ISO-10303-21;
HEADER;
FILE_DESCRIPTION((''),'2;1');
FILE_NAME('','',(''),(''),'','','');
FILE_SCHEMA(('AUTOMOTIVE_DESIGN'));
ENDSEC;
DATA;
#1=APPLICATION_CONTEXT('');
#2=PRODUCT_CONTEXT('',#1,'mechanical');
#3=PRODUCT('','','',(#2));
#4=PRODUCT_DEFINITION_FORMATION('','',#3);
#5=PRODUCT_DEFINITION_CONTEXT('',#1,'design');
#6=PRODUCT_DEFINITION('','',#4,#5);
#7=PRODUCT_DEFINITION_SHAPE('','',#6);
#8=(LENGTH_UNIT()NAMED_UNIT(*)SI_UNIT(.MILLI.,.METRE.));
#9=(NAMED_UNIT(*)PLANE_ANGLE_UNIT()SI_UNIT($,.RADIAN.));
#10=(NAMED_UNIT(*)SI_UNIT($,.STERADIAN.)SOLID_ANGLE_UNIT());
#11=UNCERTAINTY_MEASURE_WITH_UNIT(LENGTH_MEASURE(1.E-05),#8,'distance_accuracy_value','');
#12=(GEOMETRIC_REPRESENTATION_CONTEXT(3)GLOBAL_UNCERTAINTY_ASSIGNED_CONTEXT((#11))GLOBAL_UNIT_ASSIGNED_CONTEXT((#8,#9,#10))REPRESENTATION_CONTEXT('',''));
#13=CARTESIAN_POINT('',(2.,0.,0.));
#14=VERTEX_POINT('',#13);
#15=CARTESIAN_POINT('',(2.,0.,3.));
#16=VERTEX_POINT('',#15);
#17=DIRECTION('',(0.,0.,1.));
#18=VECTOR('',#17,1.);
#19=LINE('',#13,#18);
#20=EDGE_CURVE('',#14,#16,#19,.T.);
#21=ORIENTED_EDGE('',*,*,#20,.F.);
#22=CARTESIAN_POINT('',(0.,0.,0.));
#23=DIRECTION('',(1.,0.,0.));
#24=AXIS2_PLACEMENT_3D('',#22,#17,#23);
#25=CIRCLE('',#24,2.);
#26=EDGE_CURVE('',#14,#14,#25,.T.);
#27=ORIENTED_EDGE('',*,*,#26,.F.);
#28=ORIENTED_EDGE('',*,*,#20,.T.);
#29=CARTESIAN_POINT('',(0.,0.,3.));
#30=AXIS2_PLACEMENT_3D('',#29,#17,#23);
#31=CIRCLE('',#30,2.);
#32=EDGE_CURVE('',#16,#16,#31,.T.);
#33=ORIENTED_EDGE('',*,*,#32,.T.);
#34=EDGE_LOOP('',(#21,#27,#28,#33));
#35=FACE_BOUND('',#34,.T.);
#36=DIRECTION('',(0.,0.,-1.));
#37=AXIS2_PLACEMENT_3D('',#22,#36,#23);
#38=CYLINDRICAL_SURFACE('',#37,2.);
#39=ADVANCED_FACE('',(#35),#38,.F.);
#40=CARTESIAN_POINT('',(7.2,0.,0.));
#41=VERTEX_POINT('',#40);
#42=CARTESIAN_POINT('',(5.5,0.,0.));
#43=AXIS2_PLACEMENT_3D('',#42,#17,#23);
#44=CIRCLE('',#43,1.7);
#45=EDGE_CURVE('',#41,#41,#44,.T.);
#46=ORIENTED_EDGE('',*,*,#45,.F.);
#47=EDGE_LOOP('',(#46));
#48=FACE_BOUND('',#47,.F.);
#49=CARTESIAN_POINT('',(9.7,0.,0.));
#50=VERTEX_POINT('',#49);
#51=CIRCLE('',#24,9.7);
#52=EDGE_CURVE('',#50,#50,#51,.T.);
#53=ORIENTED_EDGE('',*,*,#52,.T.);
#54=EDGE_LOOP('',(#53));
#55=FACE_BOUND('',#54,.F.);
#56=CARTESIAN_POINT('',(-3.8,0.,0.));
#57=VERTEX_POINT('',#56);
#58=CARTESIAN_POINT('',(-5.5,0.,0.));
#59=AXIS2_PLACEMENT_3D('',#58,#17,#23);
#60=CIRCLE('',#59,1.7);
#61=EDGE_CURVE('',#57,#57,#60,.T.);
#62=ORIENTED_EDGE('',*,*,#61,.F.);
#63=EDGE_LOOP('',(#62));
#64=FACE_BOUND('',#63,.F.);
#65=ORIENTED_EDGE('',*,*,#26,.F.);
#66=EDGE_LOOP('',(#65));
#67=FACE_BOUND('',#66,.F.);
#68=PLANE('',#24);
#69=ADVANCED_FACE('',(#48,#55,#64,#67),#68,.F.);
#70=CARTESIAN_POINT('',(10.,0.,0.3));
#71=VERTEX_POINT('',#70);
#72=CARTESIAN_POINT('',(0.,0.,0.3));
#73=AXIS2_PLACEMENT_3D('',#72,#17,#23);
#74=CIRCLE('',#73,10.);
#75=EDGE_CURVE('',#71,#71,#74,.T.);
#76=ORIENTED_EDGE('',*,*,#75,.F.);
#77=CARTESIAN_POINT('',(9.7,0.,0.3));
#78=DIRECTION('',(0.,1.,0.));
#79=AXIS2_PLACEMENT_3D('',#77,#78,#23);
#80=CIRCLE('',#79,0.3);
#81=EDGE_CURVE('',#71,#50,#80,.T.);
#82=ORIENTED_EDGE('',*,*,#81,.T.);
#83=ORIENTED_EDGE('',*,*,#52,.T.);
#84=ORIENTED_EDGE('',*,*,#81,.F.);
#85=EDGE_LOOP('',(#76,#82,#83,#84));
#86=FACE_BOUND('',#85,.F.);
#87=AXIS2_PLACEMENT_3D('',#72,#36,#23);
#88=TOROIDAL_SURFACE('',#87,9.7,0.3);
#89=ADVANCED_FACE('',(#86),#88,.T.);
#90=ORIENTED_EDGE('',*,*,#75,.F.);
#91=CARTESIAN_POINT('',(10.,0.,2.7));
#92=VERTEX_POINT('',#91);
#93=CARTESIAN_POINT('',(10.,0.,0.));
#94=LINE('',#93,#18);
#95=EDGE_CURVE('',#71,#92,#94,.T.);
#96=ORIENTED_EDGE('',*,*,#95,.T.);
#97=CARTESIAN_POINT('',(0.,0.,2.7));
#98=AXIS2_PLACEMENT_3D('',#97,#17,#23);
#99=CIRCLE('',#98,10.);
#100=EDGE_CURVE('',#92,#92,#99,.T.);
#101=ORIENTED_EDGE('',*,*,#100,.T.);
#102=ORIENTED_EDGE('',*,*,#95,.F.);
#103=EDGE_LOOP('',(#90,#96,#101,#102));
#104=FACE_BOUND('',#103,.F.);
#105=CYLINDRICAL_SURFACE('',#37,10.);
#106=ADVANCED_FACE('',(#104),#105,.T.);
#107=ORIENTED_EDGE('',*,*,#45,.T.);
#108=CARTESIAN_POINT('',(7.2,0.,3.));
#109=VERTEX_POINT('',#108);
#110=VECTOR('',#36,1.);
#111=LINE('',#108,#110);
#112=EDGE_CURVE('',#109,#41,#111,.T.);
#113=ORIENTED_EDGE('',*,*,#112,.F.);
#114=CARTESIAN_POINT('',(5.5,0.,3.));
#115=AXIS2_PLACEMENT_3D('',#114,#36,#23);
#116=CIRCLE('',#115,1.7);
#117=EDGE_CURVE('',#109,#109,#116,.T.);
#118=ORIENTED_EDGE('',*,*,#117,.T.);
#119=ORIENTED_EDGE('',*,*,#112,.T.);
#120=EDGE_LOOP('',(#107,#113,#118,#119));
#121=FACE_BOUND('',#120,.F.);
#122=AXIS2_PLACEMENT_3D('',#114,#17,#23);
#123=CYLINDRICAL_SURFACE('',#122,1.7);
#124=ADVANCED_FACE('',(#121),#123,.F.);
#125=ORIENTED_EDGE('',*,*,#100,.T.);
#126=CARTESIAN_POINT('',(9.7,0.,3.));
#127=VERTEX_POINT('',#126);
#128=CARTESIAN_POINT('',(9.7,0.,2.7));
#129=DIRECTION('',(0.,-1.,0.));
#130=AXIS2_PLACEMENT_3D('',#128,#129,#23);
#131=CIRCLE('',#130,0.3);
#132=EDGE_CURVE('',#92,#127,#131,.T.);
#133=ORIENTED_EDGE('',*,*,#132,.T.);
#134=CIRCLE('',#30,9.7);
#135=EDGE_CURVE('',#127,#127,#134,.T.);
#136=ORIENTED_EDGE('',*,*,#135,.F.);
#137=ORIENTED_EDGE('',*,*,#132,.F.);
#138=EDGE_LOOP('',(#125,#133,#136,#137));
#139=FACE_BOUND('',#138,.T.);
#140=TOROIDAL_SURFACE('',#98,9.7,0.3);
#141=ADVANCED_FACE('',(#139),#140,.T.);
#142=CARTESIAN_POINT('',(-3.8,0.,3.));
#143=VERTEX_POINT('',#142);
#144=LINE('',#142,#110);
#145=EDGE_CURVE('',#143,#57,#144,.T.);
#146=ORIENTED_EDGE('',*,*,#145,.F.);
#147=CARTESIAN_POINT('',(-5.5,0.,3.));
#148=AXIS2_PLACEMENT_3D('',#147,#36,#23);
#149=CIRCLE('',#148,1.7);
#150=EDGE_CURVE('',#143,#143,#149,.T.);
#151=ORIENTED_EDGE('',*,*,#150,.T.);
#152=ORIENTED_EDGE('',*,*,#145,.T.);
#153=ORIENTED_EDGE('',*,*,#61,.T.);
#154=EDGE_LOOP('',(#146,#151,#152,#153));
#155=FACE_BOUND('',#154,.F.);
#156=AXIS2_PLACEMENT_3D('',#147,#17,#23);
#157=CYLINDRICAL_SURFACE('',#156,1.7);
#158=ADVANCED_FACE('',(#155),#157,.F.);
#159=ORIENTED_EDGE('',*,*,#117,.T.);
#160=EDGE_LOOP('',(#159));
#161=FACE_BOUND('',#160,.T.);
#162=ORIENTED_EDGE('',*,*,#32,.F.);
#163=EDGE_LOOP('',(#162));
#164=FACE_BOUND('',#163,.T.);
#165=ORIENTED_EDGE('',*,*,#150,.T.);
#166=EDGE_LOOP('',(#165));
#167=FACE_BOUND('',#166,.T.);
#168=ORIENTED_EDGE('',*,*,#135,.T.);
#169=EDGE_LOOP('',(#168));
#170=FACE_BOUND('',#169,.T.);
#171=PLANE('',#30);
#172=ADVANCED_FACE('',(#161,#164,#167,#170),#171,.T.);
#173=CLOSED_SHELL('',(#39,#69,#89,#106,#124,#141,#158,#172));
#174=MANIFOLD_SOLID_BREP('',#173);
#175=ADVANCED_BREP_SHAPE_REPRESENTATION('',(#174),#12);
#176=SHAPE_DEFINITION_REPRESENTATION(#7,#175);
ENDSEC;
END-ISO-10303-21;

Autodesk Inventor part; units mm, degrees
ref_plane "YZ Plane" through (0, 0, 0) normal (1, 0, 0) x (0, 1, 0)
ref_plane "XZ Plane" through (0, 0, 0) normal (0, 1, 0) x (-1, 0, 0)
ref_plane "XY Plane" through (0, 0, 0) normal (0, 0, 1) x (1, 0, 0)
sketch "スケッチ1" plane through (0, 0, 0) normal (0, 0, 1) x (1, 0, 0)
  circle A0 centre (0, 0) radius 10
  circle A1 centre (0, 0) radius 2
  dimension "d0" = 20
  dimension "d1" = 4
extrude "押し出し1" add sketch "スケッチ1" along normal blind 3
sketch "スケッチ2" plane through (0, 0, 3) normal (0, 0, 1) x (1, 0, 0)
  circle A0 centre (0, 0) radius 5.5
  circle A1 centre (-5.5, 0) radius 1.7
  circle A2 centre (5.5, 0) radius 1.7
  dimension "d4" = 11
  dimension "d5" = 3.4
  dimension "d6" = 3.4
extrude "押し出し2" cut sketch "スケッチ2" against normal blind 3 contours A0 A2 | A0 A2 | A1 A0 | A0 A1
fillet "フィレット1" radius 0.3 2 edges at (-10, 0, 3) (-10, 0, 0)
properties part number "homemade_setcolor" material "アルミニウム 6061"
